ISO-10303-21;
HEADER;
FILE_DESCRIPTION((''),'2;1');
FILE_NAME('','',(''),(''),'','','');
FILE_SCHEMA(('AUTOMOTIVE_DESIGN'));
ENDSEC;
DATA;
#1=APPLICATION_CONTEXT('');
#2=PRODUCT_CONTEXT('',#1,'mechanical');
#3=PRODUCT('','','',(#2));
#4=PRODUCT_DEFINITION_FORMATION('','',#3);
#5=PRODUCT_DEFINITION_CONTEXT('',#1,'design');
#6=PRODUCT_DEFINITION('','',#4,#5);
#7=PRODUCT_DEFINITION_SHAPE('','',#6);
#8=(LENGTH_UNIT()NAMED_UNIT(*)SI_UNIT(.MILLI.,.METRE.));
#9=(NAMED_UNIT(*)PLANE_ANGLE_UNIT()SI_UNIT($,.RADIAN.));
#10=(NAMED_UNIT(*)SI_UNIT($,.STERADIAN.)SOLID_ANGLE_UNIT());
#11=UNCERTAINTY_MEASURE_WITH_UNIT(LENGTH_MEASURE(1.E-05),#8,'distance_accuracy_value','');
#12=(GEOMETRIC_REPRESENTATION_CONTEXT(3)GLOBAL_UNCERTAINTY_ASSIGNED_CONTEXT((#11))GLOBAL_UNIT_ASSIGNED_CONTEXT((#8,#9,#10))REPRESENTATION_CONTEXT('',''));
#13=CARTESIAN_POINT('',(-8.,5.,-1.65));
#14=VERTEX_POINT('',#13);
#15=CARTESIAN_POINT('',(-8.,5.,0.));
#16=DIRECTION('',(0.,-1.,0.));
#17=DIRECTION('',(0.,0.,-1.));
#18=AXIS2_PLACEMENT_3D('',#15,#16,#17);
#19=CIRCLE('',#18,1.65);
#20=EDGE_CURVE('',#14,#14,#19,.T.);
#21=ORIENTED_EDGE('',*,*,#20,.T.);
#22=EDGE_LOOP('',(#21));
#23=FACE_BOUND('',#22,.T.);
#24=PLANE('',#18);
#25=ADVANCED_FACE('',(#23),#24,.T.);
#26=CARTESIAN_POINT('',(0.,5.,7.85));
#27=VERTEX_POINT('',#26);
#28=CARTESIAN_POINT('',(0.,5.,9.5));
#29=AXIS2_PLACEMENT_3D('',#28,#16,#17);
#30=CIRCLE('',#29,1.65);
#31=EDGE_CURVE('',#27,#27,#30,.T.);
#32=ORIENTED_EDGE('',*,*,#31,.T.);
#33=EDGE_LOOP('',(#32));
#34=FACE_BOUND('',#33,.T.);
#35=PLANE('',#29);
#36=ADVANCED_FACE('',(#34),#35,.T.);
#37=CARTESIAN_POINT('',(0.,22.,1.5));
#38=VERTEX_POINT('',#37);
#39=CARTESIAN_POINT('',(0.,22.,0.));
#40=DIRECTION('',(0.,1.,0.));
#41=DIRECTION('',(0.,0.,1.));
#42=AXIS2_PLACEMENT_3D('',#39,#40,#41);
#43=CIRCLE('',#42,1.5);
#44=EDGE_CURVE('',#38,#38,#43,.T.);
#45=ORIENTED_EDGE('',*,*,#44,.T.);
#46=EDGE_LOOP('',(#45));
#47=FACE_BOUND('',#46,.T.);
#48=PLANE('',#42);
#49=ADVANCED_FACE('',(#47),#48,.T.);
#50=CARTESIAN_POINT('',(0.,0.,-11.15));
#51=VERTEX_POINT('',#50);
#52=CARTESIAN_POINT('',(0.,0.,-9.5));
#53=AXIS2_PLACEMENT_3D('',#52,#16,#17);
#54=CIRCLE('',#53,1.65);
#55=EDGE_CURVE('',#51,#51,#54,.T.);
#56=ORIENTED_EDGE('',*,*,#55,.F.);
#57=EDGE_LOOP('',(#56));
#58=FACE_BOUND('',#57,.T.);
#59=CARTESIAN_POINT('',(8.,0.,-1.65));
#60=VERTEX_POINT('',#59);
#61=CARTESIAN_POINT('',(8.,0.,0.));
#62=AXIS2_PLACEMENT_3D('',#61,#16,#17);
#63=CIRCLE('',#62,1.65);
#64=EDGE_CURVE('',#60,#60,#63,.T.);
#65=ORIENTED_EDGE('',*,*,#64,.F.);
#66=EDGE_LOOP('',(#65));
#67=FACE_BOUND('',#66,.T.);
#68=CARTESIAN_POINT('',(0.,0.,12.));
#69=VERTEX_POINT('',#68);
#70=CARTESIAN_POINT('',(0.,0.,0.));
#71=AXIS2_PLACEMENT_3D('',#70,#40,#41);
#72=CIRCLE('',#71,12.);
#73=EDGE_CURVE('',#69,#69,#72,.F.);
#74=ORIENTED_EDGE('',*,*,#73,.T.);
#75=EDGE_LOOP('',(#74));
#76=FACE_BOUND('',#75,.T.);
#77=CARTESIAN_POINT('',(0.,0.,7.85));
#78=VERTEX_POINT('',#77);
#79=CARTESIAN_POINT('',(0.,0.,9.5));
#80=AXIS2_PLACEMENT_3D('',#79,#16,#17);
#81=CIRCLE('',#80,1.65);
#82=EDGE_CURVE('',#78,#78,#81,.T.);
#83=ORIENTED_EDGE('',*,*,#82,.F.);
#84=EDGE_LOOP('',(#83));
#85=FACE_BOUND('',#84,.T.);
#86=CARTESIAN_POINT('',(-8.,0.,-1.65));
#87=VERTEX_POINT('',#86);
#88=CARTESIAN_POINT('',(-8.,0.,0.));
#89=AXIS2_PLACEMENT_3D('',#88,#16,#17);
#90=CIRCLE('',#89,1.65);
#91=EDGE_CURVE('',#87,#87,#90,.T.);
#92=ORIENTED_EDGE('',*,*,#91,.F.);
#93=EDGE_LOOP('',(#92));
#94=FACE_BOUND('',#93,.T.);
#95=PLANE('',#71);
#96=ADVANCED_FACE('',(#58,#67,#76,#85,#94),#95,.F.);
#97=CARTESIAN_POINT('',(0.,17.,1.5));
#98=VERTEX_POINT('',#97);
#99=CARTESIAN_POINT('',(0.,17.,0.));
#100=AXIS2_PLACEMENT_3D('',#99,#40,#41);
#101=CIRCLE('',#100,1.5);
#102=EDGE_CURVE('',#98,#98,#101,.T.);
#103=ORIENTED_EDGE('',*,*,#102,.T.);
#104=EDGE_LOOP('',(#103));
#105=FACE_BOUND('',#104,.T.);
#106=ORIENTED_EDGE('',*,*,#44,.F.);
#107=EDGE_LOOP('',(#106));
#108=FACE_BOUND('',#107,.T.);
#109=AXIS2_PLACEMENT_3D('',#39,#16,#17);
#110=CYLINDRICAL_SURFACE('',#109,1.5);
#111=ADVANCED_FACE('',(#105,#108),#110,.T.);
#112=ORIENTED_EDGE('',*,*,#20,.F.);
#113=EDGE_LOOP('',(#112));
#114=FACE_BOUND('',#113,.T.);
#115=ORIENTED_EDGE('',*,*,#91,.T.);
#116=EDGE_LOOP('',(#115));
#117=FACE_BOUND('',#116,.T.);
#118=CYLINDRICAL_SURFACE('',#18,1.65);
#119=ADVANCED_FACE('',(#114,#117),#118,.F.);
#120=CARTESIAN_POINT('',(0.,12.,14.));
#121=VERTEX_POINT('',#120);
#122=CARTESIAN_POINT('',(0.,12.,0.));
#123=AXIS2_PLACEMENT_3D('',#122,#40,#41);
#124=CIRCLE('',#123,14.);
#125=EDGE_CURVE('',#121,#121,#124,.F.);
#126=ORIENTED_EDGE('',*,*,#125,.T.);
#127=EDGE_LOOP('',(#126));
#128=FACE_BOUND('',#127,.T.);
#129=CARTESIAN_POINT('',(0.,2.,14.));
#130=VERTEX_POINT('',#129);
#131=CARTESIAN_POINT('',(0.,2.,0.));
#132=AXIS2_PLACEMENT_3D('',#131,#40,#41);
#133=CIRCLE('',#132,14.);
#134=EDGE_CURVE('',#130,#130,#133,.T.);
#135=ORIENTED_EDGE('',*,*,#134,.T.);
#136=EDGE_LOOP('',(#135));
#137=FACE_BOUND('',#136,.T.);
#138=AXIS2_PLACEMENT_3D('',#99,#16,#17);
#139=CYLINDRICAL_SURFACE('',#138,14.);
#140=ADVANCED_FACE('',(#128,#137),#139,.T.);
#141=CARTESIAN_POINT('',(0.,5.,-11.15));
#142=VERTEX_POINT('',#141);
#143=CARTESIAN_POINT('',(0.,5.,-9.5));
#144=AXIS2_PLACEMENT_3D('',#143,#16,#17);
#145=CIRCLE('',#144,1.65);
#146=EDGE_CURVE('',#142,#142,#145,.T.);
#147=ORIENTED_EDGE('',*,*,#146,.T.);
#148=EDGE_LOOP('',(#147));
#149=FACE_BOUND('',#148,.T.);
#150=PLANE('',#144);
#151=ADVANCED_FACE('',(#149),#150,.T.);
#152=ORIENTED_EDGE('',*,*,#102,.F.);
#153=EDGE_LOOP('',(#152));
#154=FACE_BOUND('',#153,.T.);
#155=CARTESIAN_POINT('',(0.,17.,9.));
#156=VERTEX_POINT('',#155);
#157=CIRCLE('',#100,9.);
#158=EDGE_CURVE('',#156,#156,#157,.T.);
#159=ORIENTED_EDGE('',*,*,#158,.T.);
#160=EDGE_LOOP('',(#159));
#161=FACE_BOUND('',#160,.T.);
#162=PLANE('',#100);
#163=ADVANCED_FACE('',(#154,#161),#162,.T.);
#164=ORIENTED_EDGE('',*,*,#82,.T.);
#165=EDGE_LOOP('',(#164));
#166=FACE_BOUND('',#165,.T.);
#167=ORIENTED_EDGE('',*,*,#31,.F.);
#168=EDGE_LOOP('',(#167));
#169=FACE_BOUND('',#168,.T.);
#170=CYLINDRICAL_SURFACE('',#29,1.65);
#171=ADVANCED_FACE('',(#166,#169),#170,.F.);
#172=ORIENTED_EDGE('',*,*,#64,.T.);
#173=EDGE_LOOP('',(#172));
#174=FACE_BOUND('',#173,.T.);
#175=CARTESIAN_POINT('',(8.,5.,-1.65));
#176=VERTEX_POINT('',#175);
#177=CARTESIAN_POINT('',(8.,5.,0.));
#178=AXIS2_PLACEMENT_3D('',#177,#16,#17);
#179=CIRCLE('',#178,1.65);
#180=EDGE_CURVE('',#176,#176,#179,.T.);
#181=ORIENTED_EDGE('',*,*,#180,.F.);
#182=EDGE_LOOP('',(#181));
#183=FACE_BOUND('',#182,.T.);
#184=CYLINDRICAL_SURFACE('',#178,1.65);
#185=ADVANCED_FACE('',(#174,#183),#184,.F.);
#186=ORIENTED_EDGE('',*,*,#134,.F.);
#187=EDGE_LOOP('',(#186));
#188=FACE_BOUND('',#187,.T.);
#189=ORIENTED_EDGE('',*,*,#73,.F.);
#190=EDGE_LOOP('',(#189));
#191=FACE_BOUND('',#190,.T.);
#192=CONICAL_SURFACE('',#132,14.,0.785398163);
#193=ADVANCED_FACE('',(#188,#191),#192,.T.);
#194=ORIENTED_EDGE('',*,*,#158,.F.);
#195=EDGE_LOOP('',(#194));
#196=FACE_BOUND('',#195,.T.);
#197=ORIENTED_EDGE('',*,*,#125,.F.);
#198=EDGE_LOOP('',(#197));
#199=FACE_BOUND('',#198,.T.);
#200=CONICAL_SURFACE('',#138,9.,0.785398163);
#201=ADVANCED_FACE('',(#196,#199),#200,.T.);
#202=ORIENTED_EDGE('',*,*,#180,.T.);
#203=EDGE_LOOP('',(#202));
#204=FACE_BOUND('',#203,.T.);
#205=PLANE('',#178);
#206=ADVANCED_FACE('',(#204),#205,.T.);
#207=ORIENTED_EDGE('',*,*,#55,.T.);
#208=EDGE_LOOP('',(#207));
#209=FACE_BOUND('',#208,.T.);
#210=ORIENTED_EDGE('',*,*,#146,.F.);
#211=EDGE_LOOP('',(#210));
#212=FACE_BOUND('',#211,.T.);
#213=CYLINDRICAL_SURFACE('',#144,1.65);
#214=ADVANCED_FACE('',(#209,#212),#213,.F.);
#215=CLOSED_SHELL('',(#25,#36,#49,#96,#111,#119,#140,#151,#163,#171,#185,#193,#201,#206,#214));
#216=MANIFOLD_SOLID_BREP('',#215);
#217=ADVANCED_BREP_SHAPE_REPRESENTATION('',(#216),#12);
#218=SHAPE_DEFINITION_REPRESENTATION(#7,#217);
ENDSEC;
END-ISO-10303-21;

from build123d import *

# Parameters (mm, degrees)
SKETCH1_R           = 14
BOSS_EXTRUDE1_DEPTH = 17
CHAMFER1_SIZE       = 5
CHAMFER3_SIZE       = 2
SKETCH3_R           = 1.65
CUT_EXTRUDE1_DEPTH  = 5
SKETCH4_R           = 1.5
BOSS_EXTRUDE2_DEPTH = 5


with BuildPart() as part:
    # Sketch1 → Boss-Extrude1 (new body)
    with BuildSketch(Plane(origin=(0, 0, 0), x_dir=(1, 0, 0), z_dir=(0, 1, 0))):
        Circle(SKETCH1_R)
    extrude(amount=BOSS_EXTRUDE1_DEPTH)

    # Chamfer1
    chamfer1_edges = [part.edges().sort_by_distance(p)[0] for p in [
        (-14, 17, 0),
    ]]
    chamfer(chamfer1_edges, length=CHAMFER1_SIZE)

    # Chamfer3
    chamfer3_edges = [part.edges().sort_by_distance(p)[0] for p in [
        (-14, 0, 0),
    ]]
    chamfer(chamfer3_edges, length=CHAMFER3_SIZE)

    # Sketch3 → Cut-Extrude1 (cut)
    with BuildSketch(Plane.XZ):
        with Locations((0, 9.5)):
            Circle(SKETCH3_R)
        with Locations((0, -9.5)):
            Circle(SKETCH3_R)
        with Locations((-8, 0)):
            Circle(SKETCH3_R)
        with Locations((8, 0)):
            Circle(SKETCH3_R)
    extrude(amount=-CUT_EXTRUDE1_DEPTH, mode=Mode.SUBTRACT)

    # Sketch4 → Boss-Extrude2 (add)
    with BuildSketch(Plane(origin=(0, 17, 0), x_dir=(1, 0, 0), z_dir=(0, 1, 0))):
        Circle(SKETCH4_R)
    extrude(amount=BOSS_EXTRUDE2_DEPTH)


solid = part.part
